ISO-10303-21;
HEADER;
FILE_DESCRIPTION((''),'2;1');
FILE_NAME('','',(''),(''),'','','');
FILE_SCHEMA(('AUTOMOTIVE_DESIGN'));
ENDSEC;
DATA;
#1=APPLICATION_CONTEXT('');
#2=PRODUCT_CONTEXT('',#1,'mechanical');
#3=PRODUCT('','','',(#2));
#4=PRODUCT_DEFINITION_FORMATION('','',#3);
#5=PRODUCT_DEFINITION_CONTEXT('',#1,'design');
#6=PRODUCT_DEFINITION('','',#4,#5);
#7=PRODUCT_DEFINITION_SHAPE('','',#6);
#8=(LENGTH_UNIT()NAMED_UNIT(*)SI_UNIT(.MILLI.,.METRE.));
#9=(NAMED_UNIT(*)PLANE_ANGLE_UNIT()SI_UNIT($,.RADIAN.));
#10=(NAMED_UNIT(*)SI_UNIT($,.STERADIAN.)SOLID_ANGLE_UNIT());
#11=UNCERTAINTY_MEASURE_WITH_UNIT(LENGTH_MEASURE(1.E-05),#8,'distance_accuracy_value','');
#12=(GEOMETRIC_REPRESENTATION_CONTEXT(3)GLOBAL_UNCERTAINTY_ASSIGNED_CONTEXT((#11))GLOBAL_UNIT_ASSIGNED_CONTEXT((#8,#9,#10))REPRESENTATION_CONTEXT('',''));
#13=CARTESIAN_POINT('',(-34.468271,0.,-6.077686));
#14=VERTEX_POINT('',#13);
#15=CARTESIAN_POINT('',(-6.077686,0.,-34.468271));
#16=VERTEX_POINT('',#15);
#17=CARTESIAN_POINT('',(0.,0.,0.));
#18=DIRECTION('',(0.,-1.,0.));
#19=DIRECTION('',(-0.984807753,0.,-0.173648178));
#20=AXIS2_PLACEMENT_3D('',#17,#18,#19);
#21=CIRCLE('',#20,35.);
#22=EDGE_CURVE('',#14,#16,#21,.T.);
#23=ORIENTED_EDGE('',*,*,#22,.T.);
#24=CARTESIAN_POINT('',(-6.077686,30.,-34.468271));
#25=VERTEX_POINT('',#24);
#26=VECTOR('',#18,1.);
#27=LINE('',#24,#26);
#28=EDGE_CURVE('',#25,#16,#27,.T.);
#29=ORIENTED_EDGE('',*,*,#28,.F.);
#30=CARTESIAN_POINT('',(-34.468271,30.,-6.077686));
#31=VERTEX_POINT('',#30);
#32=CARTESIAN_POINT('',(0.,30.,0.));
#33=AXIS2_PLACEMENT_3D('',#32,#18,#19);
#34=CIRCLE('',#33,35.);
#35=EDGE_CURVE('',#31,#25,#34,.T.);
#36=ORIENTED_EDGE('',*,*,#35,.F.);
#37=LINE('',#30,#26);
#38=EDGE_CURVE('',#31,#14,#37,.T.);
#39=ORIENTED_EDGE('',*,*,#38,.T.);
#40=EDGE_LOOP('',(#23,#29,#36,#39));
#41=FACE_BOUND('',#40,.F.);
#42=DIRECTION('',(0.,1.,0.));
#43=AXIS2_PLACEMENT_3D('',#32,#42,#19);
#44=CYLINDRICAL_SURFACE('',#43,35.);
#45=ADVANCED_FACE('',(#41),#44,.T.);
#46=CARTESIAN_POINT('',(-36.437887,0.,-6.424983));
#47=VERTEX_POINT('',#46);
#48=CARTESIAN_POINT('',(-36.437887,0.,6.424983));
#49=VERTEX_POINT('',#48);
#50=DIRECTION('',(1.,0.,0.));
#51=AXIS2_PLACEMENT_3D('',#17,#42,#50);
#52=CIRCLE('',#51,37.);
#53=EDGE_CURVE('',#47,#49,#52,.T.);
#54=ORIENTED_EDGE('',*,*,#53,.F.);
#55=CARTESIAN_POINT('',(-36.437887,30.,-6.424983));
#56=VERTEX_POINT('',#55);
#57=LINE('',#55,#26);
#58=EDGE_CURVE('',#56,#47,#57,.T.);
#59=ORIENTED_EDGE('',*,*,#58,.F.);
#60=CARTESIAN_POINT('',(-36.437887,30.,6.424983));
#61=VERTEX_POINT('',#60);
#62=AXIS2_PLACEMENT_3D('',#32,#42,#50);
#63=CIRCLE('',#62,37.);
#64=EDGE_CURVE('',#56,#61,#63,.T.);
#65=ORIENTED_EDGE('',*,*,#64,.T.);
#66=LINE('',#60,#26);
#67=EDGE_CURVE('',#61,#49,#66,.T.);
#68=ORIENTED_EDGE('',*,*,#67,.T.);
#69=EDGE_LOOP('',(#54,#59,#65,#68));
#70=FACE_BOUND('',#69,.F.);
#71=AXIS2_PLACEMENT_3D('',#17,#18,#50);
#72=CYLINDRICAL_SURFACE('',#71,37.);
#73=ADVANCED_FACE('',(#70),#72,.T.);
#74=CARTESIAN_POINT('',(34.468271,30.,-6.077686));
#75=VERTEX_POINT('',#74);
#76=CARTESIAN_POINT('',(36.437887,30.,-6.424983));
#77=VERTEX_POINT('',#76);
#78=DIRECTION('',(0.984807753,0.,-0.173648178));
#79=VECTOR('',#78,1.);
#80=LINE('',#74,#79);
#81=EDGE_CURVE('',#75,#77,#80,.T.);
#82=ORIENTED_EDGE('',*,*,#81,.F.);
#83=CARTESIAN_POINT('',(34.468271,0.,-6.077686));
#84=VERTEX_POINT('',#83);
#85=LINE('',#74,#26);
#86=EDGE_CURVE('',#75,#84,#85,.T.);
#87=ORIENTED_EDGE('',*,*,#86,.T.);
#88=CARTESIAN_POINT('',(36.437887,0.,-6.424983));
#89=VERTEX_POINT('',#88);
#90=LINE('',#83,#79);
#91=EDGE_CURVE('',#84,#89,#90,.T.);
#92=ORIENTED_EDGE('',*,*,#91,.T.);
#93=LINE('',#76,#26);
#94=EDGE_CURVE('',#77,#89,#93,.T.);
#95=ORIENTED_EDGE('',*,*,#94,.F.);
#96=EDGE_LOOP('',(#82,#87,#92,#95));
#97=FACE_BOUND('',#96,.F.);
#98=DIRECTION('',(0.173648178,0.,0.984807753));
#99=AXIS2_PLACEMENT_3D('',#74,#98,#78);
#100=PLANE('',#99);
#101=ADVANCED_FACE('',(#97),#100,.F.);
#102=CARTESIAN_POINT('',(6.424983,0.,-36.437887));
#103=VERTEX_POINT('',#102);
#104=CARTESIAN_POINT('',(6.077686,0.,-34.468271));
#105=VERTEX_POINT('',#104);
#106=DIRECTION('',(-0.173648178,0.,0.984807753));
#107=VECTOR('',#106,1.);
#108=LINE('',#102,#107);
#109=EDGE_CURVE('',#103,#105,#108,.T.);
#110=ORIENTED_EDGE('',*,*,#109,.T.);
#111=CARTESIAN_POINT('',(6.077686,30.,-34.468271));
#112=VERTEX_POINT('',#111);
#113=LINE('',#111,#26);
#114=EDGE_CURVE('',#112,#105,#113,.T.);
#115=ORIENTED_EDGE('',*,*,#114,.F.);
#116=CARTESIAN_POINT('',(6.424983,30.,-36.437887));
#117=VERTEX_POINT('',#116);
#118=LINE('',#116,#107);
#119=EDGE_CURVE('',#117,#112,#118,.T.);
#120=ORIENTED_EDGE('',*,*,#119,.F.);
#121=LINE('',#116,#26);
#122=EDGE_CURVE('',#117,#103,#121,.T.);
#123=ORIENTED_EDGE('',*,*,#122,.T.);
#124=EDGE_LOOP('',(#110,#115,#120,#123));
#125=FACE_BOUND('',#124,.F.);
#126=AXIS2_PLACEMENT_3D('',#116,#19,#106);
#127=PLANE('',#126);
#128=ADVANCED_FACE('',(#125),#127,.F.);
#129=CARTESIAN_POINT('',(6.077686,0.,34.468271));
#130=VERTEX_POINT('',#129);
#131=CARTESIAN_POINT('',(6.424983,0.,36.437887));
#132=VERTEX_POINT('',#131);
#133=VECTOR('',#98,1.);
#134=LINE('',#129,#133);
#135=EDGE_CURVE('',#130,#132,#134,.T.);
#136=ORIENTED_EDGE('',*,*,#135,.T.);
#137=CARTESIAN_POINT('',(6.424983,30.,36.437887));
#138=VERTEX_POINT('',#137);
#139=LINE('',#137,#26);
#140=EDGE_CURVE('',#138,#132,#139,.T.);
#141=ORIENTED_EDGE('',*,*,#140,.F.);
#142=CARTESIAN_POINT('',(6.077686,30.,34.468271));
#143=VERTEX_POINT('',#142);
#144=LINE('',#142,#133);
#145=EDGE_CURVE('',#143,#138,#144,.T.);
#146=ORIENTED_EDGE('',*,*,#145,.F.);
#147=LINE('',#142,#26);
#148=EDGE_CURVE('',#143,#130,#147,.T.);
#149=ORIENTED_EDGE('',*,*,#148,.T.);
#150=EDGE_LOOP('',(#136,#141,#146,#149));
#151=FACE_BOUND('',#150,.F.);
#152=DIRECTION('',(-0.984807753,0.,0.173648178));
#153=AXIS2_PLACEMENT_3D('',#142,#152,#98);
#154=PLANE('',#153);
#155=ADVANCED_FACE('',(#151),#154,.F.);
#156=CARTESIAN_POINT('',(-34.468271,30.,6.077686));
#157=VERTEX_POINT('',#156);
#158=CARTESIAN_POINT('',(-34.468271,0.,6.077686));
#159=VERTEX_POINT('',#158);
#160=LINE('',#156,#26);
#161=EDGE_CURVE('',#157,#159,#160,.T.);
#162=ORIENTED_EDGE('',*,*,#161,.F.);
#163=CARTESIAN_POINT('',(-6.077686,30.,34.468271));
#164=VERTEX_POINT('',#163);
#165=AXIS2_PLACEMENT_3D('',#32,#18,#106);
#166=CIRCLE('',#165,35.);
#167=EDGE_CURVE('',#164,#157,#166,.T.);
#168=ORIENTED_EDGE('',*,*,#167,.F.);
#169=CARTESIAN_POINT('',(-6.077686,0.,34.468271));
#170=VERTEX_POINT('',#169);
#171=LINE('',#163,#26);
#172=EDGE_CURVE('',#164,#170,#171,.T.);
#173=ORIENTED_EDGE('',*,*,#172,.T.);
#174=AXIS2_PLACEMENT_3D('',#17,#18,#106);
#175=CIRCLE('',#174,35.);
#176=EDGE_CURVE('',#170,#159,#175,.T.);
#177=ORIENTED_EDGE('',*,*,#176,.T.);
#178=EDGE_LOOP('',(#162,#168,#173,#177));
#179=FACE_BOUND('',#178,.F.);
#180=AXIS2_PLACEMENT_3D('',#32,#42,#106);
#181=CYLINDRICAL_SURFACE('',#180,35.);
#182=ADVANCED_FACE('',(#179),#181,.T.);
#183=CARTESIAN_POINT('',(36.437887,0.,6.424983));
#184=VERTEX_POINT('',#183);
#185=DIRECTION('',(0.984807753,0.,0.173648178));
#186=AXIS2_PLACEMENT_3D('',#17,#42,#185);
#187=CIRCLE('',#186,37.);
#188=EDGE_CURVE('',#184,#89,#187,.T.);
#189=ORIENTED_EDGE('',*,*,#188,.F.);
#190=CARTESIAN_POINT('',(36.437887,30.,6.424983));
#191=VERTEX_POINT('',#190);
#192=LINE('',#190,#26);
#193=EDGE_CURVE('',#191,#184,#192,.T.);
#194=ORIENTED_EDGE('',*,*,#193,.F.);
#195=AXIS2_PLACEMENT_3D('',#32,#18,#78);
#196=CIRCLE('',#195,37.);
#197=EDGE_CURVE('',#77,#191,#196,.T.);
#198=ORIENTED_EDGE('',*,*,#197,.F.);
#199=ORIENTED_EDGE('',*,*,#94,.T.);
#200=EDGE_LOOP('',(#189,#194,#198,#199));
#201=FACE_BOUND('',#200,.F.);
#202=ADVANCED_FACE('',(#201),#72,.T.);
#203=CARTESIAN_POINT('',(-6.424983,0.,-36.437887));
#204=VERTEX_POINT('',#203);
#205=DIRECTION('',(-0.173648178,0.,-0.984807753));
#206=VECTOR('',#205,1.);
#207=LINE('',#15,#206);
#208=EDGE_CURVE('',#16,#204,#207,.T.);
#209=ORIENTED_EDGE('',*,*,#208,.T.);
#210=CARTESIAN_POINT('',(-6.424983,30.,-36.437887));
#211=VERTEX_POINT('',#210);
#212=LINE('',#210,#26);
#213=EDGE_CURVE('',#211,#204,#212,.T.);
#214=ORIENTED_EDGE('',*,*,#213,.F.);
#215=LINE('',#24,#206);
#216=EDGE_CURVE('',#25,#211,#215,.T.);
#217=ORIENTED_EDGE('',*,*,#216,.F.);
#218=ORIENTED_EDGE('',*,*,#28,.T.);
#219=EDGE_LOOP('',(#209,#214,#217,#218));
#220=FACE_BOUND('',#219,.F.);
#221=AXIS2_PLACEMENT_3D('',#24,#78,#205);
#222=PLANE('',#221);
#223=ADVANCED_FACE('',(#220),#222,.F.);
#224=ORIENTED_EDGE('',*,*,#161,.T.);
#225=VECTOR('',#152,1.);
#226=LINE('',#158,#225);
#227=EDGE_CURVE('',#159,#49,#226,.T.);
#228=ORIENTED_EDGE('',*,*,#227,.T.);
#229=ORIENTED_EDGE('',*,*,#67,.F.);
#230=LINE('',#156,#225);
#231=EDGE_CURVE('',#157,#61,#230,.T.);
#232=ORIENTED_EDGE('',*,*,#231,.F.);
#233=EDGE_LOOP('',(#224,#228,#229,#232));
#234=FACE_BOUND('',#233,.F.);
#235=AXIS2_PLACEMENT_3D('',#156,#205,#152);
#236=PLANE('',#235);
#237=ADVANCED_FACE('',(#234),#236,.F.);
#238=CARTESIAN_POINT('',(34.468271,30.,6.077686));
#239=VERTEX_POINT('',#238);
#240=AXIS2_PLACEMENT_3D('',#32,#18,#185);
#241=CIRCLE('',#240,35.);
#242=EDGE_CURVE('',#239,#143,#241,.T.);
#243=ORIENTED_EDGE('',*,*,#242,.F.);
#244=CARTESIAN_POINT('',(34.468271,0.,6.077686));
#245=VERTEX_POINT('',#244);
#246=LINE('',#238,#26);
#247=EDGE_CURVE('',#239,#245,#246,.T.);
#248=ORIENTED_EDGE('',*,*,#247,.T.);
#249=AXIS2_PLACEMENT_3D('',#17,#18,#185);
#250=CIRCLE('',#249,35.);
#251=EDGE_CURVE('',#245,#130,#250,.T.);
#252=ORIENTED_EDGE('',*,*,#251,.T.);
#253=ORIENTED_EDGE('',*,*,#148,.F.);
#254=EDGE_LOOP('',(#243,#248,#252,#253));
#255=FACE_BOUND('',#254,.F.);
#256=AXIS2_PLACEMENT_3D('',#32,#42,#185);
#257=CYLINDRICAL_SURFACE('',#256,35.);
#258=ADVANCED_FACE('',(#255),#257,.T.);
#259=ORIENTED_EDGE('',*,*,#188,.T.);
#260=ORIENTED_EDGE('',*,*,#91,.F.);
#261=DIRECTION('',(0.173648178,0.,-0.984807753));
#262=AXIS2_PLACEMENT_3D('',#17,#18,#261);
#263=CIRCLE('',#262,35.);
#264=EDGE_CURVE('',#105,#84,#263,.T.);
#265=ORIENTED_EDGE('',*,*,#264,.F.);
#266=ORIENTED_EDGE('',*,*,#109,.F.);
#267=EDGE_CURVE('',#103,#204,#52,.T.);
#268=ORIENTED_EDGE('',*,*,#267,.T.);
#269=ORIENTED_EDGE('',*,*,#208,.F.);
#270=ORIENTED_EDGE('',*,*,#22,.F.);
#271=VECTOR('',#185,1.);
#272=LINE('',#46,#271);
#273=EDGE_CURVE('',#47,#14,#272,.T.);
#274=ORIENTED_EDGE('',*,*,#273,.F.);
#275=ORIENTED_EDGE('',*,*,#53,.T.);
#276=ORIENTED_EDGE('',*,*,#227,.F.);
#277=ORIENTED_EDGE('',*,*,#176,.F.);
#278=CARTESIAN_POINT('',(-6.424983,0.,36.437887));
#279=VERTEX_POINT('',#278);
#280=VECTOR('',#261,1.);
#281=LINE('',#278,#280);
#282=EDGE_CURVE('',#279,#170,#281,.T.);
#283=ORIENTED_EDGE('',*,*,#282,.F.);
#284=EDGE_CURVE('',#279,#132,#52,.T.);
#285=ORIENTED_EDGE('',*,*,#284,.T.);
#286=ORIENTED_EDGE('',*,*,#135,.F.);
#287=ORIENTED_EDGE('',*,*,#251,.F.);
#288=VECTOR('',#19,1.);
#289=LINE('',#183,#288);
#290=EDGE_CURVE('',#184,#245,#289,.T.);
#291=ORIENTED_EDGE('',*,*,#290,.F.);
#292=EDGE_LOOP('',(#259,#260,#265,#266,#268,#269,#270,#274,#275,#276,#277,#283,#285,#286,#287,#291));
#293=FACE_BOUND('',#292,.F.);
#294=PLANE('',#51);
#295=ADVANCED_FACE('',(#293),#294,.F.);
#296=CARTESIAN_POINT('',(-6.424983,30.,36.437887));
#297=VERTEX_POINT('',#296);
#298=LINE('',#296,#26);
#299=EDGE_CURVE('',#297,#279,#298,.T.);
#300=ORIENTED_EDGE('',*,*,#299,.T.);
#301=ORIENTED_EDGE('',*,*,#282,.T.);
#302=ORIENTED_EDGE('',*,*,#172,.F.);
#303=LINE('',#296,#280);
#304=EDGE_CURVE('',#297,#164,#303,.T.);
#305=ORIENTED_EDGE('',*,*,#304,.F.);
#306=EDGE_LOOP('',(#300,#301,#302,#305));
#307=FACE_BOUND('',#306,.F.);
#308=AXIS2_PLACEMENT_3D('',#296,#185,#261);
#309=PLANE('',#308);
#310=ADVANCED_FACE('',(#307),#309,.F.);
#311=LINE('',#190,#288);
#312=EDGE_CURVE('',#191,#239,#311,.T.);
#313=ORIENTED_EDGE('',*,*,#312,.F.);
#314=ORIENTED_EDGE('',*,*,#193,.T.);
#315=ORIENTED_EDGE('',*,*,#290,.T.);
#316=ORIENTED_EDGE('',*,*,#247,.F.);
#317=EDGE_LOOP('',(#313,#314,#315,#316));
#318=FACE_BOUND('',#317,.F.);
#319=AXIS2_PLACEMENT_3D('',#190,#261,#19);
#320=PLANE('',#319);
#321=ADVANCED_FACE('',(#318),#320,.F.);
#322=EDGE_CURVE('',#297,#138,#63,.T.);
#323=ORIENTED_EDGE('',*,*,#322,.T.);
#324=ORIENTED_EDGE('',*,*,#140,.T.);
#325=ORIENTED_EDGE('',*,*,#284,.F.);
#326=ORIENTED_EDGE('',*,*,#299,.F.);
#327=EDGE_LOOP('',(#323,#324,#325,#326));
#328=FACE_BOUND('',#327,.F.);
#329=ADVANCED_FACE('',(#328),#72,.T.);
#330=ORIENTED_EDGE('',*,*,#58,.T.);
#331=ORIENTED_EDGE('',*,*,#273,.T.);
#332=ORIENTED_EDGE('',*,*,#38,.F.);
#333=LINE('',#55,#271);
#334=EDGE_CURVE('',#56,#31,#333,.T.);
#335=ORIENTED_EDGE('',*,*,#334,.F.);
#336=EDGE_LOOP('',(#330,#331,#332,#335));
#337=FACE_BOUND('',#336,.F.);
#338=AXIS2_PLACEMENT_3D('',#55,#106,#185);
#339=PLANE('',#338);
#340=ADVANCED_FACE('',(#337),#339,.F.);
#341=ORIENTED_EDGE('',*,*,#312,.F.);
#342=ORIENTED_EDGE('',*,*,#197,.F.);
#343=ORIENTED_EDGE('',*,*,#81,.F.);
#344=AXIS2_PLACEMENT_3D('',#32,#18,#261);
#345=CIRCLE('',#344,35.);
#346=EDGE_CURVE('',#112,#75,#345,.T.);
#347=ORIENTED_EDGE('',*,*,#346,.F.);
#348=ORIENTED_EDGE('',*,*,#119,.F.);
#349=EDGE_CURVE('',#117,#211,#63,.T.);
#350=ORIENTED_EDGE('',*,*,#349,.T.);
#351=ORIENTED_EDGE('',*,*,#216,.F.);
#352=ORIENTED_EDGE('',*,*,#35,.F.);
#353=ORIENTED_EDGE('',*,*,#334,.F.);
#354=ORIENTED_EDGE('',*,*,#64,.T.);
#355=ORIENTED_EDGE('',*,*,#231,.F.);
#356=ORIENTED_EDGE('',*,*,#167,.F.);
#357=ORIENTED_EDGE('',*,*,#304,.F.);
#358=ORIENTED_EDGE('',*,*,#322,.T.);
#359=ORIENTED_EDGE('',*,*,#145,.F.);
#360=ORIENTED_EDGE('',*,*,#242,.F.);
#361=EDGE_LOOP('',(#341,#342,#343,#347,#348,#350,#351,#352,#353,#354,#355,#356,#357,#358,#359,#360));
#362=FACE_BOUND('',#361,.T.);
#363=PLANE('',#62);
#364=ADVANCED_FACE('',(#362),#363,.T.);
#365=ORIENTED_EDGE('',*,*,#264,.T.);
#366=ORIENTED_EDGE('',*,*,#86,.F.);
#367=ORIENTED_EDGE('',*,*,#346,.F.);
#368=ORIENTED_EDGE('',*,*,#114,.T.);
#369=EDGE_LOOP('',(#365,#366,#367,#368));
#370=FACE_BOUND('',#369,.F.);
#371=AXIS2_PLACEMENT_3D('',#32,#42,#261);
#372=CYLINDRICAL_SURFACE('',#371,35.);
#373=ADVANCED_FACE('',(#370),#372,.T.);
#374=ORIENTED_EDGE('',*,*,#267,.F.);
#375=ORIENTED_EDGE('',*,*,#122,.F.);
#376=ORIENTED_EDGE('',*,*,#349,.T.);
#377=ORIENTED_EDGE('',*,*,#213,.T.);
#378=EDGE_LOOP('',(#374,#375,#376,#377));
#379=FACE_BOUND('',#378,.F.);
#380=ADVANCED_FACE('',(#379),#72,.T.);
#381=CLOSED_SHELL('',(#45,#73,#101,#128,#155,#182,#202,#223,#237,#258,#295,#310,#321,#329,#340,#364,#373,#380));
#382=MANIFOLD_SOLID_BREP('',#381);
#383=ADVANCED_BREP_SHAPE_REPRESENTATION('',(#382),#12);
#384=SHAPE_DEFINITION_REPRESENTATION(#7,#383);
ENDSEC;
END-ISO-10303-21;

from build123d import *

# Parameters (mm, degrees)
SKETCH1_R           = 37
BOSS_EXTRUDE1_DEPTH = 30
CUT_EXTRUDE1_DEPTH  = 30


with BuildPart() as part:
    # Sketch1 → Boss-Extrude1 (new body)
    with BuildSketch(Plane(origin=(0, 0, 0), x_dir=(1, 0, 0), z_dir=(0, 1, 0))):
        Circle(SKETCH1_R)
    extrude(amount=BOSS_EXTRUDE1_DEPTH)

    # Sketch2 → Cut-Extrude1 (cut)
    with BuildSketch(Plane(origin=(0, 30, 0), x_dir=(1, 0, 0), z_dir=(0, 1, 0))):
        with BuildLine():
            Line((6.424982574, 36.437886861), (6.077686218, 34.468271355))
            ThreePointArc((6.077686218, 34.468271355), (24.748737342, 24.748737342), (34.468271355, 6.077686218))
            Line((34.468271355, 6.077686218), (36.437886861, 6.424982574))
            ThreePointArc((36.437886861, 6.424982574), (26.162950904, 26.162950904), (6.424982574, 36.437886861))
        make_face()
        with BuildLine():
            Line((36.437886861, -6.424982574), (34.468271355, -6.077686218))
            ThreePointArc((34.468271355, -6.077686218), (24.748737342, -24.748737342), (6.077686218, -34.468271355))
            Line((6.077686218, -34.468271355), (6.424982574, -36.437886861))
            ThreePointArc((6.424982574, -36.437886861), (26.162950904, -26.162950904), (36.437886861, -6.424982574))
        make_face()
        with BuildLine():
            Line((-6.424982574, -36.437886861), (-6.077686218, -34.468271355))
            ThreePointArc((-6.077686218, -34.468271355), (-24.748737342, -24.748737342), (-34.468271355, -6.077686218))
            Line((-34.468271355, -6.077686218), (-36.437886861, -6.424982574))
            ThreePointArc((-36.437886861, -6.424982574), (-26.162950904, -26.162950904), (-6.424982574, -36.437886861))
        make_face()
        with BuildLine():
            Line((-36.437886861, 6.424982574), (-34.468271355, 6.077686218))
            ThreePointArc((-34.468271355, 6.077686218), (-24.748737342, 24.748737342), (-6.077686218, 34.468271355))
            Line((-6.077686218, 34.468271355), (-6.424982574, 36.437886861))
            ThreePointArc((-6.424982574, 36.437886861), (-26.162950904, 26.162950904), (-36.437886861, 6.424982574))
        make_face()
    extrude(amount=-CUT_EXTRUDE1_DEPTH, mode=Mode.SUBTRACT)


solid = part.part
